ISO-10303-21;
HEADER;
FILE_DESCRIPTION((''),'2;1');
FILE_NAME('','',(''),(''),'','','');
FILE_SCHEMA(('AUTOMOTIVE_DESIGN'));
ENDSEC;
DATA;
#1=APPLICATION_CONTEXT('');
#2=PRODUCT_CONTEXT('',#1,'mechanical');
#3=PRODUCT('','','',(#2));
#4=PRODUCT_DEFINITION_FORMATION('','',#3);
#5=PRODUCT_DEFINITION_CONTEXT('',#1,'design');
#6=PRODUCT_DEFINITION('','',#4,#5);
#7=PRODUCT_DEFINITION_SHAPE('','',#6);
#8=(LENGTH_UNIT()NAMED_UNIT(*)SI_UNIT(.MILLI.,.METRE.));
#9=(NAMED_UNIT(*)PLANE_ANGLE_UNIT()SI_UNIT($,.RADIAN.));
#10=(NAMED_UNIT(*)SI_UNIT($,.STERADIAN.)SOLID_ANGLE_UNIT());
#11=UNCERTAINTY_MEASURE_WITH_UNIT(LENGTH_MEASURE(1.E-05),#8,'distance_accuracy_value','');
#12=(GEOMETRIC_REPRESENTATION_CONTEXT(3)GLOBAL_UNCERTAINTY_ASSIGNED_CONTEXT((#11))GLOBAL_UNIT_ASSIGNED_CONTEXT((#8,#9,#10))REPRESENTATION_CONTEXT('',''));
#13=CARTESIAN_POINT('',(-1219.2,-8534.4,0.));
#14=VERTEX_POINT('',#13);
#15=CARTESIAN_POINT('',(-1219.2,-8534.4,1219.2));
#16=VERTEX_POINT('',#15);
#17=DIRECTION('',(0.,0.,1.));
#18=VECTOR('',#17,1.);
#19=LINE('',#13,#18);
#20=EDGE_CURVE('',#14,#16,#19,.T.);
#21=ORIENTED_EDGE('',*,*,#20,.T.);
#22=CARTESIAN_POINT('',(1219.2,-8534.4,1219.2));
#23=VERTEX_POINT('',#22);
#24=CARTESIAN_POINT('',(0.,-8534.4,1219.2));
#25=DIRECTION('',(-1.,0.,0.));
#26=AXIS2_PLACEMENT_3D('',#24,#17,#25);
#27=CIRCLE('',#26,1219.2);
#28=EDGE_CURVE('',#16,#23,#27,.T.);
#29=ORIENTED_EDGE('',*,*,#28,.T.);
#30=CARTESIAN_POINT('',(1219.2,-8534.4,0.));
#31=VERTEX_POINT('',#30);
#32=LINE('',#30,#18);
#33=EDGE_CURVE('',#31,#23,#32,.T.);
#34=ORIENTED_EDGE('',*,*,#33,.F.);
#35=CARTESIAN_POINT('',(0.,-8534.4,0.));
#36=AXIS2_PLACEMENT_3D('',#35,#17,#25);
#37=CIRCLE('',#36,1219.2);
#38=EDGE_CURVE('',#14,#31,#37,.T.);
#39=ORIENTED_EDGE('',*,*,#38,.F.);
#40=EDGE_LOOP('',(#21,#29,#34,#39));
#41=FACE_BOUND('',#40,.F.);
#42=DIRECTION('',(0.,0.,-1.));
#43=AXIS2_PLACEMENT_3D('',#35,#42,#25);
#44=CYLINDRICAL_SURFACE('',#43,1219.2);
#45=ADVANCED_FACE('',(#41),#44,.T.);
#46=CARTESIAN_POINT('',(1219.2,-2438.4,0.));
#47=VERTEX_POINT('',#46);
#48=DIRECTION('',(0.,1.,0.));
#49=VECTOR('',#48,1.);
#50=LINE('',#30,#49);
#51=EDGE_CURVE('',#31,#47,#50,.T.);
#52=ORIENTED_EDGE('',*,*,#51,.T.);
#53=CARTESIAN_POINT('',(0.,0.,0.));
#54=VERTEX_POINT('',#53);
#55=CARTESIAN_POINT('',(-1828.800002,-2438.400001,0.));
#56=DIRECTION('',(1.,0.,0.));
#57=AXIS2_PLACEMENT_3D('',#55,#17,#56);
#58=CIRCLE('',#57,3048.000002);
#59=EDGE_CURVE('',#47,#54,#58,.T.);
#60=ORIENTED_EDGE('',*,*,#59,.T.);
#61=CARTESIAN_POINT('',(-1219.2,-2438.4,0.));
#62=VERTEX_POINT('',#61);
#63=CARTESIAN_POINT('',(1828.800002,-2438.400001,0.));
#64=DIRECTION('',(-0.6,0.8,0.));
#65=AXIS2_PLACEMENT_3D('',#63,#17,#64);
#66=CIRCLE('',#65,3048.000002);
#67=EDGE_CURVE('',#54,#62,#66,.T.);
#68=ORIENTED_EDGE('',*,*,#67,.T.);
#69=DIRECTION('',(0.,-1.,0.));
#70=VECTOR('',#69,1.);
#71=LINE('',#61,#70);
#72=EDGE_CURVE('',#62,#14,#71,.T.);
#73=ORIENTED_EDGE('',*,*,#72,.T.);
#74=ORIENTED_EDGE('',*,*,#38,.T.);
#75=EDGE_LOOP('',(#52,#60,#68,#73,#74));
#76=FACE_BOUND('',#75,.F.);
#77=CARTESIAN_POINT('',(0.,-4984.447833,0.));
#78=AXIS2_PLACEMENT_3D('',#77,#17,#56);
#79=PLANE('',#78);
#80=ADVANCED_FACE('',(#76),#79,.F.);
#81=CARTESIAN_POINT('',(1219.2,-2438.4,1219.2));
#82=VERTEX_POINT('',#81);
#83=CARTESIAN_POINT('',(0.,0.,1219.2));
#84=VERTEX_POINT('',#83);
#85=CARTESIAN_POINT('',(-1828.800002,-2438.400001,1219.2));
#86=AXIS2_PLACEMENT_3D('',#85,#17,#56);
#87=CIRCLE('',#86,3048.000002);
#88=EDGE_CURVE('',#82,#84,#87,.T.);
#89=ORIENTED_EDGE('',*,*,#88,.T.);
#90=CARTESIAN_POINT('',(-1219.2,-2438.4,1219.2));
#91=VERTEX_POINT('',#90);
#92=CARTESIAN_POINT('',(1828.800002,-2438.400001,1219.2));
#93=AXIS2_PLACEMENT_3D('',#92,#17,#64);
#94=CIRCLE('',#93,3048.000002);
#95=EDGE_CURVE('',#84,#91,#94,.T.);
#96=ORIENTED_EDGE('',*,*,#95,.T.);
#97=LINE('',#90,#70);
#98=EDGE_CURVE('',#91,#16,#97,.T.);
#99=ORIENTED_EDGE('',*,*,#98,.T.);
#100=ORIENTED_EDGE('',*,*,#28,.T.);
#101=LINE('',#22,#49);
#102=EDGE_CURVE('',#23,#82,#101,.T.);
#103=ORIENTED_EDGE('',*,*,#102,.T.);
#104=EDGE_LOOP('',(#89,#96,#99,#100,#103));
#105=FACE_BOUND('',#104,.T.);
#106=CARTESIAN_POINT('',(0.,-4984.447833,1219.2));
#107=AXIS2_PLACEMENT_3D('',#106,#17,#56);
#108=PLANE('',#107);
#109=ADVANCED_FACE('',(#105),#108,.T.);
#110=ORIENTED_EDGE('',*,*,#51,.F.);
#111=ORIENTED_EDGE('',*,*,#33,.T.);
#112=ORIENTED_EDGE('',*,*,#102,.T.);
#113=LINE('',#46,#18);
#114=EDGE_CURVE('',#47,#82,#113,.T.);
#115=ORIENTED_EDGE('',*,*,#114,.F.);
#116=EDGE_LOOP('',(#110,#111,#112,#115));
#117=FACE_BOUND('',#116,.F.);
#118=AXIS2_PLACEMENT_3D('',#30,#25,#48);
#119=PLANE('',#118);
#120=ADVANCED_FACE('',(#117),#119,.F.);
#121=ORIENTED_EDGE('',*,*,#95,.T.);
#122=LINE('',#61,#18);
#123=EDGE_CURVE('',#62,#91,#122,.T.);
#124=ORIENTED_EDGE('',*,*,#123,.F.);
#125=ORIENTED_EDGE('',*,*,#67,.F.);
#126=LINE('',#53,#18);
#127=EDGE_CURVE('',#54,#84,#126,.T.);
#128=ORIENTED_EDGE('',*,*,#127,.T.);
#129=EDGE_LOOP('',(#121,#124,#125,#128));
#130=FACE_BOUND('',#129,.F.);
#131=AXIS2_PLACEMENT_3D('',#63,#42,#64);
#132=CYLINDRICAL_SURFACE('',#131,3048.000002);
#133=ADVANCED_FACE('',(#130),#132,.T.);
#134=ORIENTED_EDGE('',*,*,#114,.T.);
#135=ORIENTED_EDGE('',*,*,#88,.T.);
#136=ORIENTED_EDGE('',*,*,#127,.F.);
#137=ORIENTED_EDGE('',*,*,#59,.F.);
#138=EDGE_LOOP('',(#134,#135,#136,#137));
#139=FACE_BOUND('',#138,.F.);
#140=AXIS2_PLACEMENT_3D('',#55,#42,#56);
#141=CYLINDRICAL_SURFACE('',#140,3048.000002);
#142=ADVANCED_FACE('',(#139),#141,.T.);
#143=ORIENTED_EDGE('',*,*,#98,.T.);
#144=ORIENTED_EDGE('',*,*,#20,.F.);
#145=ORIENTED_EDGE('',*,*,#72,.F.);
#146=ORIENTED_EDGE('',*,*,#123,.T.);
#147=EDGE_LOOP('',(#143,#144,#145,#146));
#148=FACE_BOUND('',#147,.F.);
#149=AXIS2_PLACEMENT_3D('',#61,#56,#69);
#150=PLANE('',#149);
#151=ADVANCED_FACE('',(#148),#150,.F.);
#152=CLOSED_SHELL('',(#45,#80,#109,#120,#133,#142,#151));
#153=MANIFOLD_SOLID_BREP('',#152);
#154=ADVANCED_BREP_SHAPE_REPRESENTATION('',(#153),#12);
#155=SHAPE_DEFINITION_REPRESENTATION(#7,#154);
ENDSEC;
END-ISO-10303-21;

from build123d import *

# Parameters (mm, degrees)
F1_DEPTH = 1219.2


with BuildPart() as f1:
    # F0 (on Top) → F1 (new body)
    with BuildSketch(Plane.XY):
        with BuildLine():
            ThreePointArc((-1219.2, -8534.4), (0, -9753.6), (1219.2, -8534.4))
            Line((1219.2, -8534.4), (1219.2, -2438.4))
            ThreePointArc((1219.2, -2438.4), (897.414078, -1075.292961), (0, 0))
            ThreePointArc((0, 0), (-897.414078, -1075.292961), (-1219.2, -2438.4))
            Line((-1219.2, -2438.4), (-1219.2, -8534.4))
        make_face()
    extrude(amount=F1_DEPTH)


solid = f1.part
